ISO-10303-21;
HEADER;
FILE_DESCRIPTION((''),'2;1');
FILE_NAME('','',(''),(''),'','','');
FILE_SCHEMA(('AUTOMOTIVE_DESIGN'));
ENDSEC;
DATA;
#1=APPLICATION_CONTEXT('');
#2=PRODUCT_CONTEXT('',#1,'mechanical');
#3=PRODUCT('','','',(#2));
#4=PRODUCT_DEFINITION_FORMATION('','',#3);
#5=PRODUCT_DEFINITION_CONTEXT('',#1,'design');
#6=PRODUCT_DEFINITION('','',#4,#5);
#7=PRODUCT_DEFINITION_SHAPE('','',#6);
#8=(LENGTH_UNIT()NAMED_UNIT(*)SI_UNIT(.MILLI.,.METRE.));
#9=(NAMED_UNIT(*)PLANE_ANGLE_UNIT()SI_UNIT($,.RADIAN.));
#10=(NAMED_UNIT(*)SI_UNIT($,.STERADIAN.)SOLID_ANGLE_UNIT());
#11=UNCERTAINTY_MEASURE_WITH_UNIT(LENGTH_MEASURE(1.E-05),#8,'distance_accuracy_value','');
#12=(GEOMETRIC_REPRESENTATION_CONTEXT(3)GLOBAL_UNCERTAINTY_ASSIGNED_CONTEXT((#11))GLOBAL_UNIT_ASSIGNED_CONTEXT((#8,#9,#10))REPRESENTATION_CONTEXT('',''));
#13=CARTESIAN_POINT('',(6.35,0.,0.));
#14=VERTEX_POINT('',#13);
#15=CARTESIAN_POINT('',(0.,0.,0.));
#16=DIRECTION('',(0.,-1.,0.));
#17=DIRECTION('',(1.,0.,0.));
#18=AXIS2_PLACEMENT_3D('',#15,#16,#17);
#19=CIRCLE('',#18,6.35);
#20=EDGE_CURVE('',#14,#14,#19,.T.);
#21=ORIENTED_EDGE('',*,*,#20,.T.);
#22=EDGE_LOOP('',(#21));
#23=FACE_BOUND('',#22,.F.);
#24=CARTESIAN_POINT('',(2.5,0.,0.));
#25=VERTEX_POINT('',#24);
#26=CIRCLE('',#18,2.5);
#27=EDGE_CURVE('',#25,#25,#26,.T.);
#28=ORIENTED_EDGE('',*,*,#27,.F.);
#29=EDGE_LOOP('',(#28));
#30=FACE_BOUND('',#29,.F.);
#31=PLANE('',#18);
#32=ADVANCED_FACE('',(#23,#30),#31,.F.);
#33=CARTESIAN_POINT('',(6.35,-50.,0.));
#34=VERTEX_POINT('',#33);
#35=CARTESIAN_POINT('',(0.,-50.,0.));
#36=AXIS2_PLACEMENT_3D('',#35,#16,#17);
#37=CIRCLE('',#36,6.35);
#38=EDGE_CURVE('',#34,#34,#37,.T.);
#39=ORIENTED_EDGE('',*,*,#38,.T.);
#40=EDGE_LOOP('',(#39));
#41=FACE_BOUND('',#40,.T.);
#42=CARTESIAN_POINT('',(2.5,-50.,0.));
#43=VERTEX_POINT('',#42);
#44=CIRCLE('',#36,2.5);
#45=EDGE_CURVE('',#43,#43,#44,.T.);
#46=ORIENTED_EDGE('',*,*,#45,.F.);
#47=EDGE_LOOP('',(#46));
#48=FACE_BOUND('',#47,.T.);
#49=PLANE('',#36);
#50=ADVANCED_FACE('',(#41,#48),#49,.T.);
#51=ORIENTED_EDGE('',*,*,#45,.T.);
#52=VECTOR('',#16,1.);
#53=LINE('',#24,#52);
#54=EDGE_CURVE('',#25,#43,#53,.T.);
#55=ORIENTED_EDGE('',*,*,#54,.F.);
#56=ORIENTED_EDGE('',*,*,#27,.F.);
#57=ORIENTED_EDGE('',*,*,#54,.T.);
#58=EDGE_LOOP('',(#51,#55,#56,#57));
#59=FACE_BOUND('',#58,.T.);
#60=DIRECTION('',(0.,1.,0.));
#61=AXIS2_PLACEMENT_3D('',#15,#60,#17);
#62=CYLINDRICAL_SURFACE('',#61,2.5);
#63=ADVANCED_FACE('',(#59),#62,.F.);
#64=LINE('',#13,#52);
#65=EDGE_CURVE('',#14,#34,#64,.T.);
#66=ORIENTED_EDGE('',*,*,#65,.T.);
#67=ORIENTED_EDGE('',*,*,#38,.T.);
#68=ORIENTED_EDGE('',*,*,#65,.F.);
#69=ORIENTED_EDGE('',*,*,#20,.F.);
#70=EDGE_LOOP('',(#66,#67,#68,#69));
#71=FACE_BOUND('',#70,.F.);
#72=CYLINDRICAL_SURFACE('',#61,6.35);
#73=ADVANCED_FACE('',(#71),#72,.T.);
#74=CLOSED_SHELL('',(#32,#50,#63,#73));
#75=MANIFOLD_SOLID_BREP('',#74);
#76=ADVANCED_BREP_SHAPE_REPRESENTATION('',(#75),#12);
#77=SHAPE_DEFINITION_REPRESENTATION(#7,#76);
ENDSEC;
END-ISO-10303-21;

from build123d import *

# Parameters (mm, degrees)
SKETCH_R   = 6.35
SKETCH_R_2 = 2.5
PAD_DEPTH  = 50


with BuildPart() as part:
    # Sketch → Pad (new body)
    with BuildSketch(Plane.XZ):
        Circle(SKETCH_R)
        Circle(SKETCH_R_2, mode=Mode.SUBTRACT)
    extrude(amount=PAD_DEPTH)


solid = part.part
